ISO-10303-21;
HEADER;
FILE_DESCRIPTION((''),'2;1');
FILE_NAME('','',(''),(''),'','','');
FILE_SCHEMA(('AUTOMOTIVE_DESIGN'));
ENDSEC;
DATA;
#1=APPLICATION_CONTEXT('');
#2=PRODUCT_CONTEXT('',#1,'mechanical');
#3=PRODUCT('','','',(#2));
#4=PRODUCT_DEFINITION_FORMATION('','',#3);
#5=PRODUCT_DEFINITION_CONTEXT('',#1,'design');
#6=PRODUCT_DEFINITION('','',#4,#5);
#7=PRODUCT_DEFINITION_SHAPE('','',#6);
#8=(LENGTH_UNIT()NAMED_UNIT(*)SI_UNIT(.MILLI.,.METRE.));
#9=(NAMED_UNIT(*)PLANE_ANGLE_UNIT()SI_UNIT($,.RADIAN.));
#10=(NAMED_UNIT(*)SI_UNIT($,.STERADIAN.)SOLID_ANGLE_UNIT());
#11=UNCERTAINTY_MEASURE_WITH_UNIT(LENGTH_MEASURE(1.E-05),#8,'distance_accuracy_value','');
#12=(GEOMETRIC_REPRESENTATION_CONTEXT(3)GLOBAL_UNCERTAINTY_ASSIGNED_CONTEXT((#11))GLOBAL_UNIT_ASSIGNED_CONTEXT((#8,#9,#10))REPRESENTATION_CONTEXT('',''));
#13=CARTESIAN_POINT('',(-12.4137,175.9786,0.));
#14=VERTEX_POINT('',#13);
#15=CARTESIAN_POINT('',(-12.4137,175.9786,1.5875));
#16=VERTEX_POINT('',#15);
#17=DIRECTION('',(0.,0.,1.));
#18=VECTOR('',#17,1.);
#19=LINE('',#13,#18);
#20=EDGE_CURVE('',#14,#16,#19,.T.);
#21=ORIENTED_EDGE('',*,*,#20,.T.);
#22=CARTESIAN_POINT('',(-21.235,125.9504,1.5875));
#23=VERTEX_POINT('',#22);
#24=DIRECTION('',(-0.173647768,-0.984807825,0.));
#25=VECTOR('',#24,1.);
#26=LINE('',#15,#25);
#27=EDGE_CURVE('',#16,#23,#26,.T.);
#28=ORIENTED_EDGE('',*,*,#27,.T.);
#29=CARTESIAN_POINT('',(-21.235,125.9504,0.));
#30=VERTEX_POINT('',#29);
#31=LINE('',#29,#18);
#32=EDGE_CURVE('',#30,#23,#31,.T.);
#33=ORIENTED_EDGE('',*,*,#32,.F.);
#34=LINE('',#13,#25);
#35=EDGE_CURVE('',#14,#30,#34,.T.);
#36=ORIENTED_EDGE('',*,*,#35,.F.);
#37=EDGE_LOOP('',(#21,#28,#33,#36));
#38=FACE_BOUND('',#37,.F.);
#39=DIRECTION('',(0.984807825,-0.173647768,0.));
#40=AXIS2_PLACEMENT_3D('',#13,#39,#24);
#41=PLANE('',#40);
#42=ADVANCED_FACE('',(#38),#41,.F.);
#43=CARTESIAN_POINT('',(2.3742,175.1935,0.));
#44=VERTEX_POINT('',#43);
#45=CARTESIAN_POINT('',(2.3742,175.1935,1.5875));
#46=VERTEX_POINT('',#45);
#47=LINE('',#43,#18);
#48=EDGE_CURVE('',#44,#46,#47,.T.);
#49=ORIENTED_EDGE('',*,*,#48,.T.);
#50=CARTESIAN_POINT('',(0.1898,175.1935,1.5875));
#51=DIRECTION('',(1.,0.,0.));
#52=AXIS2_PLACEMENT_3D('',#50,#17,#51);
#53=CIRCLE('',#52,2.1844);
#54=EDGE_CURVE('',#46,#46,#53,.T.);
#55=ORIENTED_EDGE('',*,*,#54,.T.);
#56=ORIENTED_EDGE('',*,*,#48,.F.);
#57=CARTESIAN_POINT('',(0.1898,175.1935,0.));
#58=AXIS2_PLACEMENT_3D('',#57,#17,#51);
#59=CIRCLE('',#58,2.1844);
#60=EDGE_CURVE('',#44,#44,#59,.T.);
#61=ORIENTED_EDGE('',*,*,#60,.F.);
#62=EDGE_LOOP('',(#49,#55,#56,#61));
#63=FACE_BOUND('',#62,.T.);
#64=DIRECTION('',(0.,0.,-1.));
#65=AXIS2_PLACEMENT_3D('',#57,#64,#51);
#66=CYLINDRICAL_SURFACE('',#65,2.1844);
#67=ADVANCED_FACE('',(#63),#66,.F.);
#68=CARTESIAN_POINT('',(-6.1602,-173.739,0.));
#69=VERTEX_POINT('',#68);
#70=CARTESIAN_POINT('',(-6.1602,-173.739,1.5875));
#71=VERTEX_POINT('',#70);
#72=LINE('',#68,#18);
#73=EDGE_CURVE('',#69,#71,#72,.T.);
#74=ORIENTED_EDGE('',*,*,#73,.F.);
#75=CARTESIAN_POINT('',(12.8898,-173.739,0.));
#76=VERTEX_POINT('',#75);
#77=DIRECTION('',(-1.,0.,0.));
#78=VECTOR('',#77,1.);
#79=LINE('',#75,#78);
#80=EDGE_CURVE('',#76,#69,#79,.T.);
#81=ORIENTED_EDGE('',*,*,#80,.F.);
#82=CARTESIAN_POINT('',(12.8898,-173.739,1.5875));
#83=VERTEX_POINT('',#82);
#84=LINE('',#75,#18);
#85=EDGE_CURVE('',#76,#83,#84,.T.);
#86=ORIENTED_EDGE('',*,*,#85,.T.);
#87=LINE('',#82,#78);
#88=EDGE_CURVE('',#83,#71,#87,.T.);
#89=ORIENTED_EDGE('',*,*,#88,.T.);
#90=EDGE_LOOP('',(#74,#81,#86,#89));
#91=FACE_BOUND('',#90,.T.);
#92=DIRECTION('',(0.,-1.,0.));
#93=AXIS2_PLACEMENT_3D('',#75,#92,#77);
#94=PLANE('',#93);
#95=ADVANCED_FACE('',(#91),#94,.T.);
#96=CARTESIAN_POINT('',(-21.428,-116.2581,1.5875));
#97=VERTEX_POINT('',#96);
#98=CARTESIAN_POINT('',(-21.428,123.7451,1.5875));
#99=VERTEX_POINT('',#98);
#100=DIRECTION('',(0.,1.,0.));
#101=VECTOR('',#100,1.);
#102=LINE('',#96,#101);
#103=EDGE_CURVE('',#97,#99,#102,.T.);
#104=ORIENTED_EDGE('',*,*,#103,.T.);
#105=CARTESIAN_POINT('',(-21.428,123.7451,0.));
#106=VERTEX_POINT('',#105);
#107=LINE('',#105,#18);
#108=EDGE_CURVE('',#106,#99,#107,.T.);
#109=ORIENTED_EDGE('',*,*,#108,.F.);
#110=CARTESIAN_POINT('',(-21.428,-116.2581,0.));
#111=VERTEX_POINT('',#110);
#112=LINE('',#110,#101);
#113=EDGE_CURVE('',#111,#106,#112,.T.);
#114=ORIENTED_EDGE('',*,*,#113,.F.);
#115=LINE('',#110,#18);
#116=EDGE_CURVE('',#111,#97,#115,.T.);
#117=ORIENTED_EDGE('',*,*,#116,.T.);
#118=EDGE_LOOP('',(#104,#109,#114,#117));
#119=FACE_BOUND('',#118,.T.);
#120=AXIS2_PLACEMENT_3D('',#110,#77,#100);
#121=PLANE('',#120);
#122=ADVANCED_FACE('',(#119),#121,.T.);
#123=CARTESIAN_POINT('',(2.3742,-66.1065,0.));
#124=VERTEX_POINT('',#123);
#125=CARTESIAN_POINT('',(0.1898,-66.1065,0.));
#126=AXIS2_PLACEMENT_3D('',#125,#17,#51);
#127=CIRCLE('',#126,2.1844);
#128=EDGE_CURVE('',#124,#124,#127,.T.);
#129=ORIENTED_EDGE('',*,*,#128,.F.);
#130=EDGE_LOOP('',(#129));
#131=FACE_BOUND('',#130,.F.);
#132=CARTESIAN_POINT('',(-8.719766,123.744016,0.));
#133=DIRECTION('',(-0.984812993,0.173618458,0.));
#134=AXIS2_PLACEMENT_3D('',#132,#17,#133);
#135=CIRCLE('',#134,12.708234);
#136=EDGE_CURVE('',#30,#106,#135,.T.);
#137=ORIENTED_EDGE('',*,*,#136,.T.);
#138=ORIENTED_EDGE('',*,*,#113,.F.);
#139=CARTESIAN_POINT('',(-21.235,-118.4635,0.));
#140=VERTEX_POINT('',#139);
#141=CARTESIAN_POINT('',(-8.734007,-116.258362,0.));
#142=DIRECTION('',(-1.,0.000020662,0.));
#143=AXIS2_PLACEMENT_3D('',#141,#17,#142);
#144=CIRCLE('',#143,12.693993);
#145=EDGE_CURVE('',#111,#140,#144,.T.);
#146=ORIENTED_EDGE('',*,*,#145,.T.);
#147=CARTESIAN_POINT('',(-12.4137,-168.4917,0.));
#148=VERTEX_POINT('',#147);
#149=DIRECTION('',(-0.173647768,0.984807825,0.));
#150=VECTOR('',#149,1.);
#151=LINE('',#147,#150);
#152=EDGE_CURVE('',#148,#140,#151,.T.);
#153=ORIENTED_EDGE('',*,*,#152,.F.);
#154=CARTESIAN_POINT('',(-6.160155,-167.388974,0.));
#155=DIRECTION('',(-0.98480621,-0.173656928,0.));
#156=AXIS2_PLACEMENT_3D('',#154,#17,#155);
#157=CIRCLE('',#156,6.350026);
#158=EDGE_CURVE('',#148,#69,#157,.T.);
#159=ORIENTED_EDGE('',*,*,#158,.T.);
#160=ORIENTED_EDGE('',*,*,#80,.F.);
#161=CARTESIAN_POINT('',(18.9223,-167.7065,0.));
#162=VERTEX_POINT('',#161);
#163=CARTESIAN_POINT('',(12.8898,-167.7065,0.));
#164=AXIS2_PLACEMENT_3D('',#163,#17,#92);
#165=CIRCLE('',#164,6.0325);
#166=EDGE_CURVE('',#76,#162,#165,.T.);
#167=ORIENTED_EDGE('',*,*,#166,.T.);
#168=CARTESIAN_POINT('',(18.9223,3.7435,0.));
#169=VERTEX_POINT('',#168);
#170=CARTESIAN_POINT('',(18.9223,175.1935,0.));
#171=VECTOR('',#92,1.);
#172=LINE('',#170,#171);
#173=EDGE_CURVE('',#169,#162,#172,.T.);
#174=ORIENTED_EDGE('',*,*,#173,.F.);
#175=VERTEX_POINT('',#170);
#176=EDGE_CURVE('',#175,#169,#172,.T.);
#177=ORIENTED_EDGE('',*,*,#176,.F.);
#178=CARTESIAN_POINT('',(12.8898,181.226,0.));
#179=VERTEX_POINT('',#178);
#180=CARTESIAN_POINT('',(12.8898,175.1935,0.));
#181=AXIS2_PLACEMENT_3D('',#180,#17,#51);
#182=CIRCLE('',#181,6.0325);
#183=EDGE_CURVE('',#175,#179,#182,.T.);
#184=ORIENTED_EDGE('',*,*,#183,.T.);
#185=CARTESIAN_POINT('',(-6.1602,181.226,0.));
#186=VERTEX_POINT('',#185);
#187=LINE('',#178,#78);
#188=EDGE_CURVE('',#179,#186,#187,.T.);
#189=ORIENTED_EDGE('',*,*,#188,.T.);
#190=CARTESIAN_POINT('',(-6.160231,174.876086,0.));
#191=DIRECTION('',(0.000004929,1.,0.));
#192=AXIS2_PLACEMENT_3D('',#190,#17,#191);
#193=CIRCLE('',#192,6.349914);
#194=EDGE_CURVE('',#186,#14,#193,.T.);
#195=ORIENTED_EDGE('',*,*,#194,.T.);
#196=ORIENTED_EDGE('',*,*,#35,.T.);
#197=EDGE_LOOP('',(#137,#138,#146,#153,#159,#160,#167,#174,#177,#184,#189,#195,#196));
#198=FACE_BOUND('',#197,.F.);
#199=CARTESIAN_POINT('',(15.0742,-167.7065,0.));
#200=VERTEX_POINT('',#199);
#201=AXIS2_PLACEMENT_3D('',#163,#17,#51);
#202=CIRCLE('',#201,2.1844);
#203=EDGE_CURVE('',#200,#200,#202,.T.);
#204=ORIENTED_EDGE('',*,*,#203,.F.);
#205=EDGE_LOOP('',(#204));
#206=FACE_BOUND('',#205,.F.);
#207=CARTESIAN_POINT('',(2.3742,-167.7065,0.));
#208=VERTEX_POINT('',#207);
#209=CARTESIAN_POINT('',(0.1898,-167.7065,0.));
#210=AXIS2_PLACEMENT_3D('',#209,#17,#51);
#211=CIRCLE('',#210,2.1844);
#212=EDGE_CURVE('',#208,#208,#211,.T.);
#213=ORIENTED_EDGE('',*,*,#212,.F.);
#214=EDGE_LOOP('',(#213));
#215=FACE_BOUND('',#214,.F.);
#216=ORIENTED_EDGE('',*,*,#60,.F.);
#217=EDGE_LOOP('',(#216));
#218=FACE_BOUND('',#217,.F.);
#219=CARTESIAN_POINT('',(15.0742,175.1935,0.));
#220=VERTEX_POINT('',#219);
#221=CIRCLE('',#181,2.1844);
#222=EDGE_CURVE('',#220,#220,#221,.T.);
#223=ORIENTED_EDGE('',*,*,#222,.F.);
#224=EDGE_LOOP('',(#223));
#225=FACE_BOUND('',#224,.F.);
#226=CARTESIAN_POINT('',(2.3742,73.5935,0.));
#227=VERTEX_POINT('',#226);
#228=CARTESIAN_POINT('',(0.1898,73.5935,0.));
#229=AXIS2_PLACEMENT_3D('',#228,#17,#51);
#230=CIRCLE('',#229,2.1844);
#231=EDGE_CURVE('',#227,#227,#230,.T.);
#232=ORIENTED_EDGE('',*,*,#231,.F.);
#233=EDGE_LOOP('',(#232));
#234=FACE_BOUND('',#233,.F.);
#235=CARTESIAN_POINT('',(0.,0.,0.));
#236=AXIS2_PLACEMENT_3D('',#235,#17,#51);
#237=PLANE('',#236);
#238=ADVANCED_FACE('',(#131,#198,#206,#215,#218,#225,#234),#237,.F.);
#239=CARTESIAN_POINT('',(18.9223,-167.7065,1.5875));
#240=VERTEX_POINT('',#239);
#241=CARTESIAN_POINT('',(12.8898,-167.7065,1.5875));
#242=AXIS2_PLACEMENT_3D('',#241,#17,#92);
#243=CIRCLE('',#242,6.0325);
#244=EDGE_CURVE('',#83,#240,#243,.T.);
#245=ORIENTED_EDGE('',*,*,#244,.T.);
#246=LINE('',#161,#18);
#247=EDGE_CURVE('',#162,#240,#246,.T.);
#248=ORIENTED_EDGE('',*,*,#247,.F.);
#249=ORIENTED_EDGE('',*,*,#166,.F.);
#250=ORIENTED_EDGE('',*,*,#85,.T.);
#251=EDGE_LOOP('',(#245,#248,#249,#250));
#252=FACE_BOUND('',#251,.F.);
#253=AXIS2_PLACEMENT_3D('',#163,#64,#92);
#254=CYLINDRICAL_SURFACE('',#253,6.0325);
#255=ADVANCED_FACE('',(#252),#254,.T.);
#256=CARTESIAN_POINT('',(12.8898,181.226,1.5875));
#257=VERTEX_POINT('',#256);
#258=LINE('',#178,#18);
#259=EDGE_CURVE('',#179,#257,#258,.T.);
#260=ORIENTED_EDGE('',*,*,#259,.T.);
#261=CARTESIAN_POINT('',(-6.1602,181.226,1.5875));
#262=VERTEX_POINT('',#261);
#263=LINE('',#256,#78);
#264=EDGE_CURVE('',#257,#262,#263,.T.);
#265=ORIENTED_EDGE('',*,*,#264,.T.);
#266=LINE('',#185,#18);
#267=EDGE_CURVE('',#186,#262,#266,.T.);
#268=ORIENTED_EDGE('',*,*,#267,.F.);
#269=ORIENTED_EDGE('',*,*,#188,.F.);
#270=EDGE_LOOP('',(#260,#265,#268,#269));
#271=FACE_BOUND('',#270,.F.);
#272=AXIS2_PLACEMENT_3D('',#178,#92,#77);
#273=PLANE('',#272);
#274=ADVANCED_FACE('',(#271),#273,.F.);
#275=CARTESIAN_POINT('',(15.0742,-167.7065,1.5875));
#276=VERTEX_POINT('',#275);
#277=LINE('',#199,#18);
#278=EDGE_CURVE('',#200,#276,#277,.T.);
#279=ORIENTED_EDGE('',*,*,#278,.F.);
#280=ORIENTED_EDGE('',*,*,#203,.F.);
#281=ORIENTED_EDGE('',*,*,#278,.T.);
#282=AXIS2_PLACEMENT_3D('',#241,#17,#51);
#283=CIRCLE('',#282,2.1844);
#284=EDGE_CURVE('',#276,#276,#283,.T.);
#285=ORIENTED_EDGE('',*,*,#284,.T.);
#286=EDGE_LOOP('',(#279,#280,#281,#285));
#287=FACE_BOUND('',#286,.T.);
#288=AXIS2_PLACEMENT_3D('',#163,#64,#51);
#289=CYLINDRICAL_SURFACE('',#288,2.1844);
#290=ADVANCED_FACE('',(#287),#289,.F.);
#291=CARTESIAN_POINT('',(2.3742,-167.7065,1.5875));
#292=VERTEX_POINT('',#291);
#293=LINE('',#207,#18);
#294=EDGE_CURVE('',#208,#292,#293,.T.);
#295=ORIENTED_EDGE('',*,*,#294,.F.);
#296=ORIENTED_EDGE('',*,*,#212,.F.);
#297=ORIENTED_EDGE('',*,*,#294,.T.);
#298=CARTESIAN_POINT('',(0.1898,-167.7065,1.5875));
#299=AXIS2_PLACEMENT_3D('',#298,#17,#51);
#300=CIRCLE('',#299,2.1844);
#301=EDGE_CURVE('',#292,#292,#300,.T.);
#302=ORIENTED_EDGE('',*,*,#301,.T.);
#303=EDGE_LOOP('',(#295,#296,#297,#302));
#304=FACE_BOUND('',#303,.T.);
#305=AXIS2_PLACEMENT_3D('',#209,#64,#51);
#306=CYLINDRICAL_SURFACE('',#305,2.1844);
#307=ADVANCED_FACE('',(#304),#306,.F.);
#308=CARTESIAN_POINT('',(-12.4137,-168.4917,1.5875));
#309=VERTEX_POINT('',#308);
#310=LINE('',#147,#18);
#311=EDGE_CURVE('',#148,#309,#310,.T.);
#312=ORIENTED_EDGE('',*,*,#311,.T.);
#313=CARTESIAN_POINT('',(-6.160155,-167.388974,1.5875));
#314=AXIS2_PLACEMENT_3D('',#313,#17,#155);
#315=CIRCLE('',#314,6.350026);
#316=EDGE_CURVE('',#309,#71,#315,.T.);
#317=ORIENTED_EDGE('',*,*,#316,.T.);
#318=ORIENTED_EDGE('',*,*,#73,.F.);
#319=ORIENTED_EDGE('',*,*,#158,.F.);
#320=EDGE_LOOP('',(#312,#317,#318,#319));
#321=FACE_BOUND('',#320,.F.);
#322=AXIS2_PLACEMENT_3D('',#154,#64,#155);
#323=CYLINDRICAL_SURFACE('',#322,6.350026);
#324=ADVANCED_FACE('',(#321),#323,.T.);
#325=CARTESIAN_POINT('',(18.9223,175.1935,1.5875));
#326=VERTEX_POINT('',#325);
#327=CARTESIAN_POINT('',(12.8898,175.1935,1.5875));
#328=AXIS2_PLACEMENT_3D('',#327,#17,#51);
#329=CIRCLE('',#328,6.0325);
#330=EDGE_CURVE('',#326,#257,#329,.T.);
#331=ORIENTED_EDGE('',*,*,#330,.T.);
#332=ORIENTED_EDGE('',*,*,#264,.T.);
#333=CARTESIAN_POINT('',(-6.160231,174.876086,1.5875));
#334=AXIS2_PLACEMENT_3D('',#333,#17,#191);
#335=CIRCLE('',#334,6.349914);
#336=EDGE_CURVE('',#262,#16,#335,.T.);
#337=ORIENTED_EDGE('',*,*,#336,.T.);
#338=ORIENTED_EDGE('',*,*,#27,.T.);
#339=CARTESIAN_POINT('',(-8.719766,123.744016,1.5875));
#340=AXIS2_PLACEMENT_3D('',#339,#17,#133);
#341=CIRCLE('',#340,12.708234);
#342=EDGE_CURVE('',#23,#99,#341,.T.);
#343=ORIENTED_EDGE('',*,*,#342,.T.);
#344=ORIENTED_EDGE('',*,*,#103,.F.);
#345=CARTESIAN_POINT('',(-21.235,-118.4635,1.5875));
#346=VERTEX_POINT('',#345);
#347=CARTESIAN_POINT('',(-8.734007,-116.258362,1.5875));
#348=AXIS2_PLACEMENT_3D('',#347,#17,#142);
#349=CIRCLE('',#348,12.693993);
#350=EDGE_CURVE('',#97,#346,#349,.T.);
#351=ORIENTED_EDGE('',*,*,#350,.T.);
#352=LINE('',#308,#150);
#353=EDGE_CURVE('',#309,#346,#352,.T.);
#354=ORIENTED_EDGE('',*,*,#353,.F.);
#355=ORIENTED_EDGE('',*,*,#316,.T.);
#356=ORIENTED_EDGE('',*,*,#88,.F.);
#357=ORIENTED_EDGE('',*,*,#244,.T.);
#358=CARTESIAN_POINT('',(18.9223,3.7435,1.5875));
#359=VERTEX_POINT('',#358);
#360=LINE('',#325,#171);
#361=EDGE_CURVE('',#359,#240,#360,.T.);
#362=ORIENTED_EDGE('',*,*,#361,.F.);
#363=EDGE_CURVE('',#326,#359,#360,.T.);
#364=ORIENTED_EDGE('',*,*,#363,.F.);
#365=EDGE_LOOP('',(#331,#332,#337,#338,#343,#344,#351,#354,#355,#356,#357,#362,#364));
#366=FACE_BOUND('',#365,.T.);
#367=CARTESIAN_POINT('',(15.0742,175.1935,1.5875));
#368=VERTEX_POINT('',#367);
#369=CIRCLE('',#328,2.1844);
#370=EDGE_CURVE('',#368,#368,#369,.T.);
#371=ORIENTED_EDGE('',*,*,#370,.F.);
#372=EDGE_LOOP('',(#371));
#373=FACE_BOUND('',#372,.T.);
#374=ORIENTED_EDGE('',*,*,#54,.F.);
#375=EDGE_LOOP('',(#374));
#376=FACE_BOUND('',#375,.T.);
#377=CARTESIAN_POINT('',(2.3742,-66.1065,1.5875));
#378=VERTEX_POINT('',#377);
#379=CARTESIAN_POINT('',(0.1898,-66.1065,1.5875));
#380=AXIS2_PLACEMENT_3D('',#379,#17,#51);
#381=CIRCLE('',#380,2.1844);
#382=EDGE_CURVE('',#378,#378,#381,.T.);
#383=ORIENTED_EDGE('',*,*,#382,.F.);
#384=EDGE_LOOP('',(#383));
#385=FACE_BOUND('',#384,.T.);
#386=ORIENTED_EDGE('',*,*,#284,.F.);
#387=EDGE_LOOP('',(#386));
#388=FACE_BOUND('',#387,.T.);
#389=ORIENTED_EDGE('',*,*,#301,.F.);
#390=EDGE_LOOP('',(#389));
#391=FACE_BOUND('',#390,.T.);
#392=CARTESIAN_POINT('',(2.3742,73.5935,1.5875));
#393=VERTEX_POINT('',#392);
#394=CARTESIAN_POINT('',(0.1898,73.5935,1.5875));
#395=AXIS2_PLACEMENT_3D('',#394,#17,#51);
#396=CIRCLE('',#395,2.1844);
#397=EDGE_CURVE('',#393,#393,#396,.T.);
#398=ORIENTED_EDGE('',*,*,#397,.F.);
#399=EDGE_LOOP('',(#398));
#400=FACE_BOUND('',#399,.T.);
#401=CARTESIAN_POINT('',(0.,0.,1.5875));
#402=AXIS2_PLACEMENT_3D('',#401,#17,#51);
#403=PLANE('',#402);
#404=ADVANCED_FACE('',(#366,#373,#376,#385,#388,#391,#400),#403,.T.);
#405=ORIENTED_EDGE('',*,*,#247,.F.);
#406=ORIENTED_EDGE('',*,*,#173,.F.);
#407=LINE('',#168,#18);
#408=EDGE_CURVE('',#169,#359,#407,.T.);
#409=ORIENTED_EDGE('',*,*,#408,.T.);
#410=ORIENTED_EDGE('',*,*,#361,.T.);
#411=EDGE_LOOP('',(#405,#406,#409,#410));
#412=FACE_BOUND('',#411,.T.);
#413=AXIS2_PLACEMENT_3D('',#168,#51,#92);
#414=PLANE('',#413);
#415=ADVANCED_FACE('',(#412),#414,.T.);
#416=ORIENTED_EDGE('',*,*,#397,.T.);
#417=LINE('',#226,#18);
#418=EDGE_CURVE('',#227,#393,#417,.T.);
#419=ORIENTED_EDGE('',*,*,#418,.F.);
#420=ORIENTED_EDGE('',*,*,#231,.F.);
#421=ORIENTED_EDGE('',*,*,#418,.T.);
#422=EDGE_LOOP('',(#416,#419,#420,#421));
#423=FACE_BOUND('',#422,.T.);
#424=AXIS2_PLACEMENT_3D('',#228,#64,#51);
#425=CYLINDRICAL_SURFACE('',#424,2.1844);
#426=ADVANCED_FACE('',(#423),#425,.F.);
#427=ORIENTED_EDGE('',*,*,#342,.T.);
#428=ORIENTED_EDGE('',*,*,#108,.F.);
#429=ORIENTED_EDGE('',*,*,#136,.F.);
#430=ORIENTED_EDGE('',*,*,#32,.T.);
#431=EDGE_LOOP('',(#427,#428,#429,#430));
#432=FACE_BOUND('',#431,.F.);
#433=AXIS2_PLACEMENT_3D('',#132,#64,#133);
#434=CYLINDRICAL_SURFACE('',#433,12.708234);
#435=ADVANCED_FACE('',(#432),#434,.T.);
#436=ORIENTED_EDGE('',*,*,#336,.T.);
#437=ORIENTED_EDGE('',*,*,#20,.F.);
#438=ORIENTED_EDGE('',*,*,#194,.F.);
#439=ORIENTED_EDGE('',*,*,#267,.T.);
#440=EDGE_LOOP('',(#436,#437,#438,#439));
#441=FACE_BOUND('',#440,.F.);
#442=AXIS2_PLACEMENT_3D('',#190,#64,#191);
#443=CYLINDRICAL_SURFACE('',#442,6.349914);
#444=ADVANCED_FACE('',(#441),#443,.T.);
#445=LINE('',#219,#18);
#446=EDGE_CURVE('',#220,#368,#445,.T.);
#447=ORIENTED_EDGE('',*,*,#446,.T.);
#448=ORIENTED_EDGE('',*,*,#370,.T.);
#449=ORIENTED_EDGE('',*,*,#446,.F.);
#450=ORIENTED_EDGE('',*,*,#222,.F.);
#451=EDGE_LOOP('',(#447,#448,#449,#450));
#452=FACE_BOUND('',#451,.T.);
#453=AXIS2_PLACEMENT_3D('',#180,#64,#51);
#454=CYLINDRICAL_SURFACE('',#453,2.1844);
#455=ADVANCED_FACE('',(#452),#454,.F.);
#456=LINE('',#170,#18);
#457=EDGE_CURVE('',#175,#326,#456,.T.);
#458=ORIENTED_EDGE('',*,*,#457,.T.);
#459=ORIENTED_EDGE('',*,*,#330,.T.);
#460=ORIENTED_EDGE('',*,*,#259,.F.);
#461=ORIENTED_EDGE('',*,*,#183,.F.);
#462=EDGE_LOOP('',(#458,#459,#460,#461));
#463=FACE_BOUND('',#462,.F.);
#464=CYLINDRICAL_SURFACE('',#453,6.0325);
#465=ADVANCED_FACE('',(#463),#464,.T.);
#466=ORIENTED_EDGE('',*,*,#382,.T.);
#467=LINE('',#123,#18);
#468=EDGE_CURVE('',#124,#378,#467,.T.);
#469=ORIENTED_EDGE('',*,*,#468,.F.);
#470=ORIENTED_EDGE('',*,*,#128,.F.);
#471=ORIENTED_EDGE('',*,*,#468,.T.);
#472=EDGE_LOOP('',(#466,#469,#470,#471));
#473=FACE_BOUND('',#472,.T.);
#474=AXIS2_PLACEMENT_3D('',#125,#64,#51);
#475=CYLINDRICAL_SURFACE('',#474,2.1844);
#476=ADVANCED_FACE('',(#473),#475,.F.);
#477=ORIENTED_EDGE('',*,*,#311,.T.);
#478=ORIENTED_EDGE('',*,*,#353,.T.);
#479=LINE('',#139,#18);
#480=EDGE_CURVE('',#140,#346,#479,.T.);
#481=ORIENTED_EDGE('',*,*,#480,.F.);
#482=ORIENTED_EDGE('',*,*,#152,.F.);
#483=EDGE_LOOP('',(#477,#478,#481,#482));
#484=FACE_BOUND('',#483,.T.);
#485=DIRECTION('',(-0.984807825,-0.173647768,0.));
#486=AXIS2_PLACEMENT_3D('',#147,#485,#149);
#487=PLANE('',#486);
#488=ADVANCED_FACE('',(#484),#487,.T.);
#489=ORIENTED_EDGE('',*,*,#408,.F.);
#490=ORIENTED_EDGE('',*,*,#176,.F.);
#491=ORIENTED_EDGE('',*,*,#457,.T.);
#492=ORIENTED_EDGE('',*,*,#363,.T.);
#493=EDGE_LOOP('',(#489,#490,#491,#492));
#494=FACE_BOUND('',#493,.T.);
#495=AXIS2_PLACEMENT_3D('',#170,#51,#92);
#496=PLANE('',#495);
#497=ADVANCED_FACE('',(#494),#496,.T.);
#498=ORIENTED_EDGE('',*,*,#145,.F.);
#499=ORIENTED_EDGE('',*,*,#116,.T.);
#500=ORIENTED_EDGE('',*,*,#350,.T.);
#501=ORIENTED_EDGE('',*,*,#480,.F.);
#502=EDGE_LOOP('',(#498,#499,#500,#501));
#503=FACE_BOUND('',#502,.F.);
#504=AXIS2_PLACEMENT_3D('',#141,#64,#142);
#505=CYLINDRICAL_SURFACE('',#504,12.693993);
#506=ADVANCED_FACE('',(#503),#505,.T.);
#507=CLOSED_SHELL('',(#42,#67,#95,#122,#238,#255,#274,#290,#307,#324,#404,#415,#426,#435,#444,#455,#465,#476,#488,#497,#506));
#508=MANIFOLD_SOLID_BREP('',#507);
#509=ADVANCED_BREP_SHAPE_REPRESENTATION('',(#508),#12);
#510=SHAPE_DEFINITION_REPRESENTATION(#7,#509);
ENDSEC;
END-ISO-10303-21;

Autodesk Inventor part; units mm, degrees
ref_plane "YZ Plane" through (0, 0, 0) normal (1, 0, 0) x (0, 1, 0)
ref_plane "XZ Plane" through (0, 0, 0) normal (0, 1, 0) x (-1, 0, 0)
ref_plane "XY Plane" through (0, 0, 0) normal (0, 0, 1) x (1, 0, 0)
sketch "Sketch1" plane through (0, 0, 0) normal (0, 0, 1) x (1, 0, 0)
  circle A0 centre (12.8898, 175.1935) radius 2.1844
  circle A1 centre (12.8898, -167.7065) radius 2.1844
  circle A2 centre (0.1898, 73.5935) radius 2.1844
  circle A3 centre (0.1898, -66.1065) radius 2.1844
  circle A4 centre (0.1898, 175.1935) radius 2.1844
  circle A5 centre (0.1898, -167.7065) radius 2.1844
  arc A6 (18.9223, 175.1935) -> (12.8898, 181.226) centre (12.8898, 175.1935) ccw
  arc A7 (12.8898, -173.739) -> (18.9223, -167.7065) centre (12.8898, -167.7065) ccw
  arc A8 (18.9223, 175.1935) -> (12.8898, 181.226) centre (12.8898, 175.1935) ccw
  line L0 (18.9223, 175.1935) -> (18.9223, -167.7065)
  line L1 (12.8898, 181.226) -> (-6.1602, 181.226)
  line L2 (-6.1602, 181.226) -> (-6.1602, 181.226)
  arc A9 (-6.1602, 181.226) -> (-12.4137, 175.9786) centre (-6.1602, 174.876) ccw
  line L3 (-6.1602, 181.226) -> (-6.1602, 174.876) construction
  line L4 (-12.4137, 175.9786) -> (-6.1602, 174.876) construction
  line L5 (-12.4137, 175.9786) -> (-21.235, 125.9504)
  arc A10 (-21.235, 125.9504) -> (-21.428, 123.7451) centre (-8.728, 123.7451) ccw
  line L6 (-21.235, 125.9504) -> (-8.728, 123.7451) construction
  line L7 (-21.428, 123.7451) -> (-8.728, 123.7451) construction
  line L8 (18.9223, 3.7435) -> (0.1898, 3.7435)
  line L9 (-21.428, -116.2581) -> (-8.728, -116.2581) construction
  arc A11 (-21.428, -116.2581) -> (-21.235, -118.4635) centre (-8.728, -116.2581) ccw
  line L10 (-21.235, -118.4635) -> (-8.728, -116.2581) construction
  line L11 (-12.4137, -168.4917) -> (-21.235, -118.4635)
  line L12 (-12.4137, -168.4917) -> (-6.1602, -167.389) construction
  arc A12 (-12.4137, -168.4917) -> (-6.1602, -173.739) centre (-6.1602, -167.389) ccw
  line L13 (-6.1602, -173.739) -> (-6.1602, -173.739)
  line L14 (12.8898, -173.739) -> (-6.1602, -173.739)
  line L15 (-6.1602, -173.739) -> (-6.1602, -167.389) construction
  line L16 (-21.428, -116.2581) -> (-21.428, 123.7451)
  point P0 (0, 0)
  point P1 (12.8898, -167.7065)
  point P2 (0.1898, -167.7065)
  point P3 (12.8898, -167.7065)
  point P4 (12.8898, -167.7065)
  point P5 (-6.1602, -173.739)
  dimension "d1" = 6.35
  dimension "d2" = 80
  dimension "d3" = 50.8
  dimension "d4" = 12.7
  dimension "d5" = 10
  dimension "d15" = 19.05
extrude "Extrusion2" add sketch "Sketch1" along normal blind 1.5875
properties part number "sidePlates"
